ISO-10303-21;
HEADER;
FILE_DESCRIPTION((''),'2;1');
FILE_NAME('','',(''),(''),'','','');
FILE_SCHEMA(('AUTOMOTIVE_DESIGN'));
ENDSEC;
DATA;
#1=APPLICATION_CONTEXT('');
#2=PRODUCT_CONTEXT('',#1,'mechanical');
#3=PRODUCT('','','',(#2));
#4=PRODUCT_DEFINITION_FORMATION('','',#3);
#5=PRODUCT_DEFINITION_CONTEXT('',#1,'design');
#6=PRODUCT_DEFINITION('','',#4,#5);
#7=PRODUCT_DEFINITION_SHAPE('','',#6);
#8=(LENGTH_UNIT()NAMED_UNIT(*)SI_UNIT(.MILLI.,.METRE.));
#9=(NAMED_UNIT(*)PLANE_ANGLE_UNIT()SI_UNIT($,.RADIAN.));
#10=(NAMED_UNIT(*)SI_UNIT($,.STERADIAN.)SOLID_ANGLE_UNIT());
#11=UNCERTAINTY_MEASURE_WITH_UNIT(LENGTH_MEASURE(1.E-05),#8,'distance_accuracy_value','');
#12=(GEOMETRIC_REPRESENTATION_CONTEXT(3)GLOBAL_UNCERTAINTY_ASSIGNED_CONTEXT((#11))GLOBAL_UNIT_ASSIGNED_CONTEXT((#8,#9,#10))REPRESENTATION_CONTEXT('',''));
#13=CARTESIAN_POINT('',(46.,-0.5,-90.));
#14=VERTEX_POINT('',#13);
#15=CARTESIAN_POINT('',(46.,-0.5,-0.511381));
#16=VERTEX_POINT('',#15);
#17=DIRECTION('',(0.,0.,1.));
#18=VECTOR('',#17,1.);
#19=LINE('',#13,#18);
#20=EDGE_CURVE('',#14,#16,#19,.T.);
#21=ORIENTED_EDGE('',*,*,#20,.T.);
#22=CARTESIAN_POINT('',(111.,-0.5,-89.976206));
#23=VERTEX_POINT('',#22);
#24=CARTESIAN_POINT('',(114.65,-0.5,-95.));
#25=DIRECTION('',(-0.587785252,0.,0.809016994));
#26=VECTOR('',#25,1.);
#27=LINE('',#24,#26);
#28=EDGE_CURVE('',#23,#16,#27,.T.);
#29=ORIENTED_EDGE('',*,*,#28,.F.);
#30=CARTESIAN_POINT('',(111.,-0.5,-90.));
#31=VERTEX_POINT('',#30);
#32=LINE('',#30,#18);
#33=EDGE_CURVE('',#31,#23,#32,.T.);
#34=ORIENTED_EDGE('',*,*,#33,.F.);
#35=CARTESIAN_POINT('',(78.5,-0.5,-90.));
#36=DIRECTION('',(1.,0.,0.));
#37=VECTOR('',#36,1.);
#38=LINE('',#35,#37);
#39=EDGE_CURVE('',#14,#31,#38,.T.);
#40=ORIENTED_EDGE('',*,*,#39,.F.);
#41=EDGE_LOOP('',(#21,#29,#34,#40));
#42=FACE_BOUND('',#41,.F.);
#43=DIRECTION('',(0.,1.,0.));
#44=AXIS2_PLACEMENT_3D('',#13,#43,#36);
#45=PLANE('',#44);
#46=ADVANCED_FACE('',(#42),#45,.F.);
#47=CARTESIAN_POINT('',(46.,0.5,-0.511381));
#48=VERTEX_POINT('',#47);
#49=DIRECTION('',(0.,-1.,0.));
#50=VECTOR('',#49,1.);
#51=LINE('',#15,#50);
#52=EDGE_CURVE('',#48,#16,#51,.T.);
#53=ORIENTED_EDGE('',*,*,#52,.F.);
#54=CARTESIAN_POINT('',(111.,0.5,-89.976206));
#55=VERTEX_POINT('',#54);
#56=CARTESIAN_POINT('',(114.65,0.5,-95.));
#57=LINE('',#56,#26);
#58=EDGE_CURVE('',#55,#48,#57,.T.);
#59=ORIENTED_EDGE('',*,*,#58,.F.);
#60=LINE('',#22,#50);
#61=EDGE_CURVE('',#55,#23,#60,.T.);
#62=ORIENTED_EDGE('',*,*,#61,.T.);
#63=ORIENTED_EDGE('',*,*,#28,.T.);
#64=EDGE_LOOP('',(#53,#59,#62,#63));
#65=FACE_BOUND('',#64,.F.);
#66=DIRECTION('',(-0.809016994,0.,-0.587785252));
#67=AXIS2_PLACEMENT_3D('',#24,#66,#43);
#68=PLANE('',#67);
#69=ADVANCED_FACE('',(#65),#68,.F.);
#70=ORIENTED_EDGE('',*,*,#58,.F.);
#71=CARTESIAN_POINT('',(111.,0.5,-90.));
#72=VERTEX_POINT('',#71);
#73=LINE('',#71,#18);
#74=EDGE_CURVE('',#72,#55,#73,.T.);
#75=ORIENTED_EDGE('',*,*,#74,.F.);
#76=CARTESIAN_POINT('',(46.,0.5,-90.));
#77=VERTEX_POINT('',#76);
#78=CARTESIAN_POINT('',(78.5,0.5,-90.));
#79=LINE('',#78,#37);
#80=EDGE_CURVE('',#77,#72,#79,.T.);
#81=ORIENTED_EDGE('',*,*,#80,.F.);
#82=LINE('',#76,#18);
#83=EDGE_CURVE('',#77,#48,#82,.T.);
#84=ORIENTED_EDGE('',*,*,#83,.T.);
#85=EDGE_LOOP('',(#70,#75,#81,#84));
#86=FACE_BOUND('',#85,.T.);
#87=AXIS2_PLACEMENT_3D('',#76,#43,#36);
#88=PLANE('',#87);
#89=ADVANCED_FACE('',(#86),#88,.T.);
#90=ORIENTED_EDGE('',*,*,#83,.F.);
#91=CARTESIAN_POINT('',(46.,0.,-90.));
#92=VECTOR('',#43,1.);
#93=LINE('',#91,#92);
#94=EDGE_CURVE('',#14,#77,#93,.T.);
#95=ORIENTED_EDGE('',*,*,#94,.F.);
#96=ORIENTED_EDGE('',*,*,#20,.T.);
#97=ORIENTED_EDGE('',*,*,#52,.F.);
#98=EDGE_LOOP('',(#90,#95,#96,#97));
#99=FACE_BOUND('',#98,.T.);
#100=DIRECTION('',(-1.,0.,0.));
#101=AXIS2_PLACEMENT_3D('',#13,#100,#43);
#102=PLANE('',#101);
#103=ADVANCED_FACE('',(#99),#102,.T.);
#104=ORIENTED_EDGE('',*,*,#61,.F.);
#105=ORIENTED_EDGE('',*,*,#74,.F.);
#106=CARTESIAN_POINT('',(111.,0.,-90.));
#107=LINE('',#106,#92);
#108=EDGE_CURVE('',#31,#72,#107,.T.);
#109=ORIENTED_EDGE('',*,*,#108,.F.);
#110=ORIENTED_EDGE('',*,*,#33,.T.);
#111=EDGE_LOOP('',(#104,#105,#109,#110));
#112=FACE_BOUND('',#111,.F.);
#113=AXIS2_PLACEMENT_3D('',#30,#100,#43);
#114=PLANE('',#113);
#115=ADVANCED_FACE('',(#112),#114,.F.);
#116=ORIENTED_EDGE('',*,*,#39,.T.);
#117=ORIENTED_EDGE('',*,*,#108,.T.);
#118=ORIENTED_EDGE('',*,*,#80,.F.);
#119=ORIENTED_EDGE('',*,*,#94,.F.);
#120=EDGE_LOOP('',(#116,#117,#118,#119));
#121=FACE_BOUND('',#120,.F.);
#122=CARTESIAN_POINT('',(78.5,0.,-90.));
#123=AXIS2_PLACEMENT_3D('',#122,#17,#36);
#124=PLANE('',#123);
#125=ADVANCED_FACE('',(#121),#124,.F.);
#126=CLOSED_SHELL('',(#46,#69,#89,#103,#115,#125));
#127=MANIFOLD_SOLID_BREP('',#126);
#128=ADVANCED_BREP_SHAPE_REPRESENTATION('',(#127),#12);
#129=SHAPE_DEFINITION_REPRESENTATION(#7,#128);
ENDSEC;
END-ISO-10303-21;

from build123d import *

# Parameters (mm, degrees)
BOX010_W               = 65
BOX010_H               = 1
BOX010_DEPTH           = 121
BOX010_PLACEMENT_ANGLE = 324
BOX_W                  = 65
BOX_H                  = 1
BOX_DEPTH              = 90


with BuildPart() as cubo010:
    # Box010 → Box010 (new body)
    with BuildSketch(Plane.XY):
        with Locations((32.5, 0.5)):
            Rectangle(BOX010_W, BOX010_H)
    extrude(amount=BOX010_DEPTH)


with BuildPart() as cubo010_1:
    # Box010 placement: moved
    add(cubo010.part.moved(Location((114.65, -0.5, -95))).rotate(Axis((114.65, -0.5, -95), (0, 1, 0)), BOX010_PLACEMENT_ANGLE))


with BuildPart() as aleta:
    # Box → Box (new body)
    with BuildSketch(Plane(origin=(46, -0.5, -90), x_dir=(1, 0, 0), z_dir=(0, 0, 1))):
        with Locations((32.5, 0.5)):
            Rectangle(BOX_W, BOX_H)
    extrude(amount=BOX_DEPTH)

    # Cut002: cut Cubo010
    add(cubo010_1.part, mode=Mode.SUBTRACT)


solid = aleta.part
